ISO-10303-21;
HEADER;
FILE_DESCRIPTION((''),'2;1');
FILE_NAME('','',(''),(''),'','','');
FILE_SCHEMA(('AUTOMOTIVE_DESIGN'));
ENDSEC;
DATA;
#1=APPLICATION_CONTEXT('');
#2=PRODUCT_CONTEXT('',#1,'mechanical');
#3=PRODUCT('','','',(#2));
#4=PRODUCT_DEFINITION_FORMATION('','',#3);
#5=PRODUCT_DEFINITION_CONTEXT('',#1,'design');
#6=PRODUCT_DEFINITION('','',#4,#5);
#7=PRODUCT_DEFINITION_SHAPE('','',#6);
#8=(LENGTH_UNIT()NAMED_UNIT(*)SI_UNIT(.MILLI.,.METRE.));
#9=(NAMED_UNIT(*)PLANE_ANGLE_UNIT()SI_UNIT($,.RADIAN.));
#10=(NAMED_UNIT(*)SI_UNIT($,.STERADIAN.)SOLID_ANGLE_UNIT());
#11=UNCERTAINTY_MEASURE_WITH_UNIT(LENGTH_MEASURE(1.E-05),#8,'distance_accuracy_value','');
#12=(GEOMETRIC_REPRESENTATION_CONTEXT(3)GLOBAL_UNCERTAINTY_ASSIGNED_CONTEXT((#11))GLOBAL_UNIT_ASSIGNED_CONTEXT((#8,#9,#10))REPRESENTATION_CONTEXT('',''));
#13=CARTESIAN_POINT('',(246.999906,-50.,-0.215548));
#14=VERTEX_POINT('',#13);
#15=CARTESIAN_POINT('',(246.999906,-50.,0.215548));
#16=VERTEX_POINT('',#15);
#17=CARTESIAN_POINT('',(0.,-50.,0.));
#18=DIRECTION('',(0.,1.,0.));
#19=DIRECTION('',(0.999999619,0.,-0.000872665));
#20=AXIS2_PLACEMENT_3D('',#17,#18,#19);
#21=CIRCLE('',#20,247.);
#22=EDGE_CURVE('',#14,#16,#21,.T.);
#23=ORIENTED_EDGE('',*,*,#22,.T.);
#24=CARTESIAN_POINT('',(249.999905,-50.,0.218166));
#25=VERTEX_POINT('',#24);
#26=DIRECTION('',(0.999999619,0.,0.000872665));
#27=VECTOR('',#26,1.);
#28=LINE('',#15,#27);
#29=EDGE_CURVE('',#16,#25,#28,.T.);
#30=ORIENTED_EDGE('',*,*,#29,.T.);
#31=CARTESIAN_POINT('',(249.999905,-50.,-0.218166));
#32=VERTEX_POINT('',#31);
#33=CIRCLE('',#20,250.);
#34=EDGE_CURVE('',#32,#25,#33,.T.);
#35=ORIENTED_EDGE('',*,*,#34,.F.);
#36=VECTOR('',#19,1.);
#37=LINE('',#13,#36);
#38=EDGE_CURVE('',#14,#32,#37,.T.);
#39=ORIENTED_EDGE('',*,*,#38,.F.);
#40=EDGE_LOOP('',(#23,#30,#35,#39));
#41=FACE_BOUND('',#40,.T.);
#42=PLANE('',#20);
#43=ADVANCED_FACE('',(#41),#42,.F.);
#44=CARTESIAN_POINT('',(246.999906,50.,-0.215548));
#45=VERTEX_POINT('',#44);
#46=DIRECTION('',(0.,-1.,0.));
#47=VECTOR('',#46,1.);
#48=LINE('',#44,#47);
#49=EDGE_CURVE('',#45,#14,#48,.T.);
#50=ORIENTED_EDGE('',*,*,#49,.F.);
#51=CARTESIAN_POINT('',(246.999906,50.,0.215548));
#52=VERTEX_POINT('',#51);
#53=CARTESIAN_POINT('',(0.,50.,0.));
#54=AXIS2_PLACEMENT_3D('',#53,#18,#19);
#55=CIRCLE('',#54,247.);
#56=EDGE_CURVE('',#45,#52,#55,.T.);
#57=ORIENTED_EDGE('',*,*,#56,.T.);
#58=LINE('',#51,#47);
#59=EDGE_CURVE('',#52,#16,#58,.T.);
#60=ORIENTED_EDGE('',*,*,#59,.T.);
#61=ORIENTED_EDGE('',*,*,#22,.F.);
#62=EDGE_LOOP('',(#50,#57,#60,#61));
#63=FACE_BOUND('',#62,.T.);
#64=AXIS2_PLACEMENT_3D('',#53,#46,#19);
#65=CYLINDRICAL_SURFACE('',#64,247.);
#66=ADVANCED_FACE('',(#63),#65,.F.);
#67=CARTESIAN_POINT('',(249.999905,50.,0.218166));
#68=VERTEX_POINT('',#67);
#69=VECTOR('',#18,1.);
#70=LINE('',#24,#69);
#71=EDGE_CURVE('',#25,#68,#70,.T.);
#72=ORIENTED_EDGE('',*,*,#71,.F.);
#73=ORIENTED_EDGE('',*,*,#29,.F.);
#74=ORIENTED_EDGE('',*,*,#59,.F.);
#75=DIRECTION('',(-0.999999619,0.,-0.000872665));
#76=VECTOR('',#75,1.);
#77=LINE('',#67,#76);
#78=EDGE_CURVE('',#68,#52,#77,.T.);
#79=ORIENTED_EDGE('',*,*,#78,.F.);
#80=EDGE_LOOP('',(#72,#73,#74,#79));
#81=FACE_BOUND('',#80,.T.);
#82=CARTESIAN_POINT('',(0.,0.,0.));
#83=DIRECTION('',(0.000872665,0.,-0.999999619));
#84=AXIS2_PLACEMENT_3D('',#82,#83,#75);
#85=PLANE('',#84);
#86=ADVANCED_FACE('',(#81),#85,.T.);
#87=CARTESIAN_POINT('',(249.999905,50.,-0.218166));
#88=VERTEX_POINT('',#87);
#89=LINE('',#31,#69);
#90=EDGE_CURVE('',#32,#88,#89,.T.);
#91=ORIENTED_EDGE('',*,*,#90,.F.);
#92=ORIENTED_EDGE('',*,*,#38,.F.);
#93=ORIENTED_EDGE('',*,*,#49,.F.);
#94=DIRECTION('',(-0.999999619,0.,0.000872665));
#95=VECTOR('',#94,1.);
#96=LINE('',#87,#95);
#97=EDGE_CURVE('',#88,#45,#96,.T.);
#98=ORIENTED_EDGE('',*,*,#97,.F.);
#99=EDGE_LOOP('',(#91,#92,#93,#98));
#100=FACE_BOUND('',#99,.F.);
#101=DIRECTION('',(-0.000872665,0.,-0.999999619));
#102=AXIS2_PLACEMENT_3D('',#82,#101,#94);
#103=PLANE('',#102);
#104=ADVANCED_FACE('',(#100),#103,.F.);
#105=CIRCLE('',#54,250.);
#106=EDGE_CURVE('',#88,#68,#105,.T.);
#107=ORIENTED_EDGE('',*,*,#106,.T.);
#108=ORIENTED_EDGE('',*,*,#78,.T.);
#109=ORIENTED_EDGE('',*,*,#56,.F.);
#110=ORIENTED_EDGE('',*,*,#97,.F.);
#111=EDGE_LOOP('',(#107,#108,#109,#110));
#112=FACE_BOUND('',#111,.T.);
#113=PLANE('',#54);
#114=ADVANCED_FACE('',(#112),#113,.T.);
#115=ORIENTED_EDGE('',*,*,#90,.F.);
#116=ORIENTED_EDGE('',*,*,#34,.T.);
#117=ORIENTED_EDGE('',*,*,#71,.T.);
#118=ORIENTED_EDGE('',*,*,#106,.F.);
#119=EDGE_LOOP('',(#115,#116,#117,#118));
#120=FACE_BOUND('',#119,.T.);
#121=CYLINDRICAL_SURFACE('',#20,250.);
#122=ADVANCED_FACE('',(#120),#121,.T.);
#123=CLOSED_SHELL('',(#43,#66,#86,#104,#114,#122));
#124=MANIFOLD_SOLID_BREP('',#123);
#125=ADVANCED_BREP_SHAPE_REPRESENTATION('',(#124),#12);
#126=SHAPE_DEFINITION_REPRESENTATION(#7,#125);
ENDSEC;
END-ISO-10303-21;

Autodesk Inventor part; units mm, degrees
ref_plane "YZ Plane" through (0, 0, 0) normal (1, 0, 0) x (0, 1, 0)
ref_plane "XZ Plane" through (0, 0, 0) normal (0, 1, 0) x (-1, 0, 0)
ref_plane "XY Plane" through (0, 0, 0) normal (0, 0, 1) x (1, 0, 0)
sketch "Sketch3" plane through (0, 0, 0) normal (0, 0, 1) x (1, 0, 0)
  line L0 (-250, 50) -> (-247, 50)
  line L1 (-247, 50) -> (-247, -50)
  line L2 (-247, -50) -> (-250, -50)
  line L3 (-250, -50) -> (-250, 50)
  line L4 (0, -70) -> (0, 70) projected
  point P0 (0, 0)
  point P1 (-250, 0)
  dimension "d1" = 3
  dimension "d2" = 100
  dimension "d3" = 250
revolve "Revolution1" add sketch "Sketch3" angle 359.9 mid plane about axis through (0, -10, 0) along (0, 1, 0)
equation "\"BendReliefWidth\" = Thickness"
equation "\"BendReliefDepth\" = 0.5 * Thickness"
equation "\"CornerReliefSize\" = 4 * Thickness"
equation "\"MinimumRemnant\" = 2 * Thickness"
equation "\"TransitionRadius\" = BendRadius"
equation "\"JacobiRadiusSize\" = BendRadius"
equation "\"GapSize\" = Thickness"
equation "\"Thickness\" = 3"
equation "\"BendRadius\" = 5"
properties part number "MSC 402 ring" material "Stainless Steel"
